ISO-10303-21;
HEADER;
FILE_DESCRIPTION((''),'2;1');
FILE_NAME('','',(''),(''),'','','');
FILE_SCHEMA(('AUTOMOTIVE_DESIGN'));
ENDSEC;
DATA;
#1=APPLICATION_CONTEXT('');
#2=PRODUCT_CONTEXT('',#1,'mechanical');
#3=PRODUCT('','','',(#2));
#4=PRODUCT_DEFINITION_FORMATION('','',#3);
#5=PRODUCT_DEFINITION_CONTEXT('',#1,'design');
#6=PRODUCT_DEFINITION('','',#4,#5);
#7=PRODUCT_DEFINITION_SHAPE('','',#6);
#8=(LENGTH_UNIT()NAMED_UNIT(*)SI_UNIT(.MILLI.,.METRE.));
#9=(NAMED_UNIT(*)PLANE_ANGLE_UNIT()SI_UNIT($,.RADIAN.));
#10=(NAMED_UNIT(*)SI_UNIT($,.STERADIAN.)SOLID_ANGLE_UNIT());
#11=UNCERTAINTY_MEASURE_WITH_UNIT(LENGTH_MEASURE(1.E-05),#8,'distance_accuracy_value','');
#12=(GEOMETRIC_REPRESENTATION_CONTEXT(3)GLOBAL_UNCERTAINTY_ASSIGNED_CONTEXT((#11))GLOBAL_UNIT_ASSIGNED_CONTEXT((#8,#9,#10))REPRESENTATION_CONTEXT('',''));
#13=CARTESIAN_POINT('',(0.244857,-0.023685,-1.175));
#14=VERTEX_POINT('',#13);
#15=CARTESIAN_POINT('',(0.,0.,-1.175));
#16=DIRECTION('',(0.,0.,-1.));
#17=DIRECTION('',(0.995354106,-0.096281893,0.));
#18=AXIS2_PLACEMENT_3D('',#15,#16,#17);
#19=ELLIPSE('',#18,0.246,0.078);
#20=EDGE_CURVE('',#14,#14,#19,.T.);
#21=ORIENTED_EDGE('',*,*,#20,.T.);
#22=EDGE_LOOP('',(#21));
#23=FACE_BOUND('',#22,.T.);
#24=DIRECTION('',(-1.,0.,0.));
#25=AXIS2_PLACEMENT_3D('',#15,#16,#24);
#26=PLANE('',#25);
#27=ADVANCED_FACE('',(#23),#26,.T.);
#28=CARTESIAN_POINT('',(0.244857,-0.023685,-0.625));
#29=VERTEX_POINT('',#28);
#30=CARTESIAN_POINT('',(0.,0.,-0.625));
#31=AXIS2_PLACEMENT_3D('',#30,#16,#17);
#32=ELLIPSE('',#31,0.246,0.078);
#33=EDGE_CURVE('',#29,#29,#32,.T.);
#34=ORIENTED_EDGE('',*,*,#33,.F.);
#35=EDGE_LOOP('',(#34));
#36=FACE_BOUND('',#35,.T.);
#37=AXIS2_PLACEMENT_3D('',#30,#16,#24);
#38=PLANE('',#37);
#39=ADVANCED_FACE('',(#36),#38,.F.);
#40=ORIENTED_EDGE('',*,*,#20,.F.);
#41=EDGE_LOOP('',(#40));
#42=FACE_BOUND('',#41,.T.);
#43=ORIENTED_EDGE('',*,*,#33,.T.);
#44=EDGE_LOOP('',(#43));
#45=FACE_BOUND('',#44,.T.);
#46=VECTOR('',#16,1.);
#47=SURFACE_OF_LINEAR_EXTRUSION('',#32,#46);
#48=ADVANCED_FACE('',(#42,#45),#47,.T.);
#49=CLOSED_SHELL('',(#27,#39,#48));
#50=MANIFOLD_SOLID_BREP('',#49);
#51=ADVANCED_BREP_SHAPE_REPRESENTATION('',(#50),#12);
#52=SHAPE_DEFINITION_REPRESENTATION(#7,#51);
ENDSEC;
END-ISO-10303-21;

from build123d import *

# Parameters (mm, degrees)
SKETCH1_RX          = 0.246
SKETCH1_RY          = 0.078
BOSS_EXTRUDE1_DEPTH = 0.55


with BuildPart() as part:
    # Sketch1 → Boss-Extrude1 (new body)
    with BuildSketch(Plane(origin=(0, 0, -1.175), x_dir=(-1, 0, 0), z_dir=(0, 0, -1))):
        with Locations(Location((0, 0), (0, 0, -174.474894898))):
            Ellipse(SKETCH1_RX, SKETCH1_RY)
    extrude(amount=-BOSS_EXTRUDE1_DEPTH)


solid = part.part
